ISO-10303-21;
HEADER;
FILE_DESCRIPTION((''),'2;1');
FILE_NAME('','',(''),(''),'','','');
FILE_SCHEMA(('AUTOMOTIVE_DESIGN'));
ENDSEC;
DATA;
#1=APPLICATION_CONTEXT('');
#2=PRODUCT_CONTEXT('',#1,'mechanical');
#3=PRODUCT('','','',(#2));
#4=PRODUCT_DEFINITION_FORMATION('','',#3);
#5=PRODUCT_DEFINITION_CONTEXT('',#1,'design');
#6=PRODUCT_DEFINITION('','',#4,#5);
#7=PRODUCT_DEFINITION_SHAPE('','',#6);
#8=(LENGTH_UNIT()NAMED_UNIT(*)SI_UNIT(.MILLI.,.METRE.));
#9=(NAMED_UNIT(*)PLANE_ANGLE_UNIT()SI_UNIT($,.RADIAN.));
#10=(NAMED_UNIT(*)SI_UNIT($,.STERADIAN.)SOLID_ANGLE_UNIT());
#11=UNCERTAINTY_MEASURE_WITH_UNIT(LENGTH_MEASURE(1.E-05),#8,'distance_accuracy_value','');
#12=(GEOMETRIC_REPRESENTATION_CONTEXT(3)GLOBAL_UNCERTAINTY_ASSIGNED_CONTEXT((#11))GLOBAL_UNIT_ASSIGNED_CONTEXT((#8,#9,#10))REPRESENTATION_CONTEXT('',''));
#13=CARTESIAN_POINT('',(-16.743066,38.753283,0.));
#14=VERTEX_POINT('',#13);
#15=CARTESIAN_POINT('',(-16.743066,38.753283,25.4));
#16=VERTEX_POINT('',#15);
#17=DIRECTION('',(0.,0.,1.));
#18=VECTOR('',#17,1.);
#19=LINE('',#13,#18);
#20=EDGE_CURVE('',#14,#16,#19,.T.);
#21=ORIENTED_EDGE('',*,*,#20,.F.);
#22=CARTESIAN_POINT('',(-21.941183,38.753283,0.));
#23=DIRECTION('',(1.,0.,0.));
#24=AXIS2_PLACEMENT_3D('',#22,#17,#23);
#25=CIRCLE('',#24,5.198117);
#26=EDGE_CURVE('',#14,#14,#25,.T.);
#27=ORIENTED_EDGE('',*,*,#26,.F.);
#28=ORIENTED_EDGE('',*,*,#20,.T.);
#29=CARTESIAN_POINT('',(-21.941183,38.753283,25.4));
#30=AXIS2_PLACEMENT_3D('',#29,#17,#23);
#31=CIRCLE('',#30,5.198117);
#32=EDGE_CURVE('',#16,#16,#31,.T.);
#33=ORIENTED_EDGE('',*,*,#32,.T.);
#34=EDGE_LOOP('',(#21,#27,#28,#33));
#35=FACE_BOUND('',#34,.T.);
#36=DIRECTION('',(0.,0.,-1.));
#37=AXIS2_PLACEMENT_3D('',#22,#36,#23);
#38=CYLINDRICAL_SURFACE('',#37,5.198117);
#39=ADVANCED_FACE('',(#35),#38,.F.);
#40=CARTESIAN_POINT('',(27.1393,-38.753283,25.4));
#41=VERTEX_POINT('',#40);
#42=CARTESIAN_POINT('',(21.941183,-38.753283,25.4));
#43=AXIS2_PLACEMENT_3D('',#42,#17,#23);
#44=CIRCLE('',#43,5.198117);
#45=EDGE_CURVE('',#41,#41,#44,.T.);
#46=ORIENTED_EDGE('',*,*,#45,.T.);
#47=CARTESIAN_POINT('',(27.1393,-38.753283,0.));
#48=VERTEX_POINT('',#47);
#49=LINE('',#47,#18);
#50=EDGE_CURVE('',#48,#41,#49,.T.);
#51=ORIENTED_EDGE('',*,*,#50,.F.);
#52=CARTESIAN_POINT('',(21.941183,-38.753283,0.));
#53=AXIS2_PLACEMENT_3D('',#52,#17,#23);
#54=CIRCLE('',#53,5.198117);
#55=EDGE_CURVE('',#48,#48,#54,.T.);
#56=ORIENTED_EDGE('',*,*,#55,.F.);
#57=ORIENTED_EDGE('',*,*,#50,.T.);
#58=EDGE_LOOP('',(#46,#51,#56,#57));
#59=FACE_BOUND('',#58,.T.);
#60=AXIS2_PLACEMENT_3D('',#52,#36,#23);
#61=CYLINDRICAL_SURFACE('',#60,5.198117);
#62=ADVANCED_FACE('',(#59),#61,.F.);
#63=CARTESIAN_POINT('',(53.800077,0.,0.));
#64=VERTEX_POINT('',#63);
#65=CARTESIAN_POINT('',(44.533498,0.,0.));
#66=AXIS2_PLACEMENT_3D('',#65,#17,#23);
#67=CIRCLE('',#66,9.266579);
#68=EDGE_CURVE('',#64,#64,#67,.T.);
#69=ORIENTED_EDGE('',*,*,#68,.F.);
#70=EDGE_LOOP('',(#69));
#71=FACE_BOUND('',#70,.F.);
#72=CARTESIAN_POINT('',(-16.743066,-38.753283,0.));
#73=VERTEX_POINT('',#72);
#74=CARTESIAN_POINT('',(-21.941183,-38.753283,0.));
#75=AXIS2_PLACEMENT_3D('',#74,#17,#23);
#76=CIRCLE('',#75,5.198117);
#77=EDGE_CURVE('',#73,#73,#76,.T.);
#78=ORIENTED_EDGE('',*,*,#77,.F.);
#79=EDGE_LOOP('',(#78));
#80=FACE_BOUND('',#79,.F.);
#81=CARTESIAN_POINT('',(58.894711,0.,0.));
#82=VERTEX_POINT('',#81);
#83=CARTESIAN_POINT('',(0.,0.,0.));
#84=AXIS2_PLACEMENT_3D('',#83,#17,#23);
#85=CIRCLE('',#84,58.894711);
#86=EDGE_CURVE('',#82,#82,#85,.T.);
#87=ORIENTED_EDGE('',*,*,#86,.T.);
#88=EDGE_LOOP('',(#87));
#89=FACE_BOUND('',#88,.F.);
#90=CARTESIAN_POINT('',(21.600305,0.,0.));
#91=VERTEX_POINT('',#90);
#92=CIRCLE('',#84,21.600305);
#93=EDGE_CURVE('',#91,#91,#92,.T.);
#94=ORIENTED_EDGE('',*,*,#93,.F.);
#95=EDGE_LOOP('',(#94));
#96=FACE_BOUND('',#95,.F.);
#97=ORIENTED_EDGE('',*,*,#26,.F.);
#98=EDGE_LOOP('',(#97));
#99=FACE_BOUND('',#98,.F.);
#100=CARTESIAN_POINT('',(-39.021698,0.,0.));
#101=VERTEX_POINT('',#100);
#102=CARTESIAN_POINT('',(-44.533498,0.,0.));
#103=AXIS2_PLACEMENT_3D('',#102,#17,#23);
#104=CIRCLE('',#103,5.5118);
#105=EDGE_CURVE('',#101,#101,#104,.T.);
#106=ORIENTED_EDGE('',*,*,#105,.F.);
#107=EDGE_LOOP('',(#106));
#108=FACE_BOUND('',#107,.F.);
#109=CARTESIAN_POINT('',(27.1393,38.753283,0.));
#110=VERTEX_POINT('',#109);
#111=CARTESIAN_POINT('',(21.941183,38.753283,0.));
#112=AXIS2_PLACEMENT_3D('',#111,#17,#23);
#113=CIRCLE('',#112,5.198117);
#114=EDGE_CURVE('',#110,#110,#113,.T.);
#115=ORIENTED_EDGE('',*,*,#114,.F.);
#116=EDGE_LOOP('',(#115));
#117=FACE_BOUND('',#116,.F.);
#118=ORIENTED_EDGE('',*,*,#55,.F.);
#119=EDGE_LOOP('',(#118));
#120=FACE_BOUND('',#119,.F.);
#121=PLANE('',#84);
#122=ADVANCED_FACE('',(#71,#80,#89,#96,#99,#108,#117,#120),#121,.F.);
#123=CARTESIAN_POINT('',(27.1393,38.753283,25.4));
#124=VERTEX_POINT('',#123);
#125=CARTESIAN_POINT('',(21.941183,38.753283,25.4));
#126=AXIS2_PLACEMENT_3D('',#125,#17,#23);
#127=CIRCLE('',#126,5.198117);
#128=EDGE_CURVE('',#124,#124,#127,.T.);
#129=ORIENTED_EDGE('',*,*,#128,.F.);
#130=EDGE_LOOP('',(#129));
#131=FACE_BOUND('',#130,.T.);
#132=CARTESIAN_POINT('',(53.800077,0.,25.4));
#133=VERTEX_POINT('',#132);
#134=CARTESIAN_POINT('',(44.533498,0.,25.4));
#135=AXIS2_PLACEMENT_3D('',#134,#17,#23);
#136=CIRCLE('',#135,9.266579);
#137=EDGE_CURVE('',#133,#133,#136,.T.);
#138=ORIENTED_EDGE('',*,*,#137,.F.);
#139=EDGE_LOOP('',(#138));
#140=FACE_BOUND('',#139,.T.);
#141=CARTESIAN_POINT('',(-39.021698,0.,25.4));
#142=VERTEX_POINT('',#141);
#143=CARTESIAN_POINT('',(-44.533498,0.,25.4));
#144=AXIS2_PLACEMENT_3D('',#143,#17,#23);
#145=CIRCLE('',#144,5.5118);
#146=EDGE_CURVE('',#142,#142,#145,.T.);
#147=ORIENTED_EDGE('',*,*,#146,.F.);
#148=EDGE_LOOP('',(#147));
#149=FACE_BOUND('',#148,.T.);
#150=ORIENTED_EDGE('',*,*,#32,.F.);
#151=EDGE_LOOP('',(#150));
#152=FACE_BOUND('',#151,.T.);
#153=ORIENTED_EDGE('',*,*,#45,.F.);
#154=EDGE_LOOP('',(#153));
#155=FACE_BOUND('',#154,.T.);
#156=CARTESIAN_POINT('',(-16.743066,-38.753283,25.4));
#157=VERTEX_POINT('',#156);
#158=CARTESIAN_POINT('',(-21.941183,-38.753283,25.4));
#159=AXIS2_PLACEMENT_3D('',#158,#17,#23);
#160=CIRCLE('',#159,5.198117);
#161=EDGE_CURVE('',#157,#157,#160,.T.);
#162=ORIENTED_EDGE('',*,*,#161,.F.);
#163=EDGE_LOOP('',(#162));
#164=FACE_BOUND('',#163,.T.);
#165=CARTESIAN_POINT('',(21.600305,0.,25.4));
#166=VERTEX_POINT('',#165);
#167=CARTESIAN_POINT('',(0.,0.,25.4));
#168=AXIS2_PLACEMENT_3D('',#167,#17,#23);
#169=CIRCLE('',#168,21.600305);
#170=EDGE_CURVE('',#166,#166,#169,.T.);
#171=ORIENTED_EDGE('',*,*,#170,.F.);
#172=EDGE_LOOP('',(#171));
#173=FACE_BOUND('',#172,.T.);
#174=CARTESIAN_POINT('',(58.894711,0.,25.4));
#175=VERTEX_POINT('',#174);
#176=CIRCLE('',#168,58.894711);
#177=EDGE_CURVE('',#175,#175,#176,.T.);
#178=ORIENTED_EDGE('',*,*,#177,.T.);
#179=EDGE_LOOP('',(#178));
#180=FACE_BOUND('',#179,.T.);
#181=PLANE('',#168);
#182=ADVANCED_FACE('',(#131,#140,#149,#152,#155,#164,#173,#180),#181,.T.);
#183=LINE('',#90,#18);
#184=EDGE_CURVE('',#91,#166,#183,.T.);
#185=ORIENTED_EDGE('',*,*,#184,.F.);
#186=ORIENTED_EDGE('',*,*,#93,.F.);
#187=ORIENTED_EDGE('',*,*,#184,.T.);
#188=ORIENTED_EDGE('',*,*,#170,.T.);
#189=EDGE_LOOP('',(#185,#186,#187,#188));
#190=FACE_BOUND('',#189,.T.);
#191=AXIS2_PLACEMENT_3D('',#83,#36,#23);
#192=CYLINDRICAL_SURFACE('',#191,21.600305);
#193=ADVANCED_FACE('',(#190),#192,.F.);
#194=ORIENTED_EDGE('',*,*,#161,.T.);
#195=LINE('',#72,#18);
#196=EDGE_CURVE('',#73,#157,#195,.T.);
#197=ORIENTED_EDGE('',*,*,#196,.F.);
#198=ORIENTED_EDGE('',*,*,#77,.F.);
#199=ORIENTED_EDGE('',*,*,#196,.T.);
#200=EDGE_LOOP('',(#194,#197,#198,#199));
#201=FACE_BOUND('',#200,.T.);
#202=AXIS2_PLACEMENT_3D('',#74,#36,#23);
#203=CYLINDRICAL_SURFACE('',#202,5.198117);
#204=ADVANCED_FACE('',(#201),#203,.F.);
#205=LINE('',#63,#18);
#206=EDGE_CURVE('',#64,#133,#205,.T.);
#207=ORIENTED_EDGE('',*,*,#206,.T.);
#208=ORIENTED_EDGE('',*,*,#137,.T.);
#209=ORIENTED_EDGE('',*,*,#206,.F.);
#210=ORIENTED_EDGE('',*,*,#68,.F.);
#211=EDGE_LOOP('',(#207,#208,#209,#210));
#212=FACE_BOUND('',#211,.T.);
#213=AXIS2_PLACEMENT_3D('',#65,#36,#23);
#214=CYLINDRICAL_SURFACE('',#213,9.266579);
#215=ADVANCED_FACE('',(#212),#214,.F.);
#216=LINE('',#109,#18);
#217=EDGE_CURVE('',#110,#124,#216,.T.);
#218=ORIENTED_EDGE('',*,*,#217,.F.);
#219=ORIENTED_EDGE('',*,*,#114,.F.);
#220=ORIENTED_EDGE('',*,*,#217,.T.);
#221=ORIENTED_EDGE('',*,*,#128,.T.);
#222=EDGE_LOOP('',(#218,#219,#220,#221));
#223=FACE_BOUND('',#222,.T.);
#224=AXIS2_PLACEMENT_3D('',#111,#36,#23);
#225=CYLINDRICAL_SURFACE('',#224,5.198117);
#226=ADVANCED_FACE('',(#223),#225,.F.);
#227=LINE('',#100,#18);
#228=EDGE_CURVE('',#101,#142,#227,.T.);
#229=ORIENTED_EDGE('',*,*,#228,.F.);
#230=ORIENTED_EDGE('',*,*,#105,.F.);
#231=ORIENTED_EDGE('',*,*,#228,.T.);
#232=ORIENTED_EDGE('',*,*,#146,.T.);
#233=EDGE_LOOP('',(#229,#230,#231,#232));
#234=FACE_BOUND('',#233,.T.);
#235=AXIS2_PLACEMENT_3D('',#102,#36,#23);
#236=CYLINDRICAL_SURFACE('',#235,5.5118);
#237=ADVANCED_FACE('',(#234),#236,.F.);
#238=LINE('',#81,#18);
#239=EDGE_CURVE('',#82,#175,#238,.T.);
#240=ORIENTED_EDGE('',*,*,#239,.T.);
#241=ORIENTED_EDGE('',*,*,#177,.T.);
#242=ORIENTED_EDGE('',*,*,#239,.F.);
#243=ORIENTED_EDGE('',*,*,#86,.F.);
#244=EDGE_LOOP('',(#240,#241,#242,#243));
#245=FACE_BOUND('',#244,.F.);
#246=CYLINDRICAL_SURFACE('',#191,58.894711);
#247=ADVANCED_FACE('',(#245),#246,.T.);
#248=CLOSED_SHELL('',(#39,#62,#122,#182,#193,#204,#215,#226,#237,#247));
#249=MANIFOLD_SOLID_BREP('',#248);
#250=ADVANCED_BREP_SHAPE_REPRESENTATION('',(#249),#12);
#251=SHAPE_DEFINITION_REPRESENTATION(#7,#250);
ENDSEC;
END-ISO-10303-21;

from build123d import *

# Parameters (mm, degrees)
F0_R     = 58.8947107228
F0_R_2   = 5.1981169028
F0_R_3   = 5.5118
F0_R_4   = 21.6003049715
F0_R_5   = 9.266578838
F1_DEPTH = 25.4


with BuildPart() as f1:
    # F0 (on Top) → F1 (new body)
    with BuildSketch(Plane.XY):
        Circle(F0_R)
        with Locations((-21.9411833077, -38.7532826778)):
            Circle(F0_R_2, mode=Mode.SUBTRACT)
        with Locations((21.9411833077, -38.7532826778)):
            Circle(F0_R_2, mode=Mode.SUBTRACT)
        with Locations((-44.5334979903, 0)):
            Circle(F0_R_3, mode=Mode.SUBTRACT)
        with Locations((-21.9411833077, 38.7532826778)):
            Circle(F0_R_2, mode=Mode.SUBTRACT)
        Circle(F0_R_4, mode=Mode.SUBTRACT)
        with Locations((44.5334979903, 0)):
            Circle(F0_R_5, mode=Mode.SUBTRACT)
        with Locations((21.9411833077, 38.7532826778)):
            Circle(F0_R_2, mode=Mode.SUBTRACT)
    extrude(amount=F1_DEPTH)


solid = f1.part
